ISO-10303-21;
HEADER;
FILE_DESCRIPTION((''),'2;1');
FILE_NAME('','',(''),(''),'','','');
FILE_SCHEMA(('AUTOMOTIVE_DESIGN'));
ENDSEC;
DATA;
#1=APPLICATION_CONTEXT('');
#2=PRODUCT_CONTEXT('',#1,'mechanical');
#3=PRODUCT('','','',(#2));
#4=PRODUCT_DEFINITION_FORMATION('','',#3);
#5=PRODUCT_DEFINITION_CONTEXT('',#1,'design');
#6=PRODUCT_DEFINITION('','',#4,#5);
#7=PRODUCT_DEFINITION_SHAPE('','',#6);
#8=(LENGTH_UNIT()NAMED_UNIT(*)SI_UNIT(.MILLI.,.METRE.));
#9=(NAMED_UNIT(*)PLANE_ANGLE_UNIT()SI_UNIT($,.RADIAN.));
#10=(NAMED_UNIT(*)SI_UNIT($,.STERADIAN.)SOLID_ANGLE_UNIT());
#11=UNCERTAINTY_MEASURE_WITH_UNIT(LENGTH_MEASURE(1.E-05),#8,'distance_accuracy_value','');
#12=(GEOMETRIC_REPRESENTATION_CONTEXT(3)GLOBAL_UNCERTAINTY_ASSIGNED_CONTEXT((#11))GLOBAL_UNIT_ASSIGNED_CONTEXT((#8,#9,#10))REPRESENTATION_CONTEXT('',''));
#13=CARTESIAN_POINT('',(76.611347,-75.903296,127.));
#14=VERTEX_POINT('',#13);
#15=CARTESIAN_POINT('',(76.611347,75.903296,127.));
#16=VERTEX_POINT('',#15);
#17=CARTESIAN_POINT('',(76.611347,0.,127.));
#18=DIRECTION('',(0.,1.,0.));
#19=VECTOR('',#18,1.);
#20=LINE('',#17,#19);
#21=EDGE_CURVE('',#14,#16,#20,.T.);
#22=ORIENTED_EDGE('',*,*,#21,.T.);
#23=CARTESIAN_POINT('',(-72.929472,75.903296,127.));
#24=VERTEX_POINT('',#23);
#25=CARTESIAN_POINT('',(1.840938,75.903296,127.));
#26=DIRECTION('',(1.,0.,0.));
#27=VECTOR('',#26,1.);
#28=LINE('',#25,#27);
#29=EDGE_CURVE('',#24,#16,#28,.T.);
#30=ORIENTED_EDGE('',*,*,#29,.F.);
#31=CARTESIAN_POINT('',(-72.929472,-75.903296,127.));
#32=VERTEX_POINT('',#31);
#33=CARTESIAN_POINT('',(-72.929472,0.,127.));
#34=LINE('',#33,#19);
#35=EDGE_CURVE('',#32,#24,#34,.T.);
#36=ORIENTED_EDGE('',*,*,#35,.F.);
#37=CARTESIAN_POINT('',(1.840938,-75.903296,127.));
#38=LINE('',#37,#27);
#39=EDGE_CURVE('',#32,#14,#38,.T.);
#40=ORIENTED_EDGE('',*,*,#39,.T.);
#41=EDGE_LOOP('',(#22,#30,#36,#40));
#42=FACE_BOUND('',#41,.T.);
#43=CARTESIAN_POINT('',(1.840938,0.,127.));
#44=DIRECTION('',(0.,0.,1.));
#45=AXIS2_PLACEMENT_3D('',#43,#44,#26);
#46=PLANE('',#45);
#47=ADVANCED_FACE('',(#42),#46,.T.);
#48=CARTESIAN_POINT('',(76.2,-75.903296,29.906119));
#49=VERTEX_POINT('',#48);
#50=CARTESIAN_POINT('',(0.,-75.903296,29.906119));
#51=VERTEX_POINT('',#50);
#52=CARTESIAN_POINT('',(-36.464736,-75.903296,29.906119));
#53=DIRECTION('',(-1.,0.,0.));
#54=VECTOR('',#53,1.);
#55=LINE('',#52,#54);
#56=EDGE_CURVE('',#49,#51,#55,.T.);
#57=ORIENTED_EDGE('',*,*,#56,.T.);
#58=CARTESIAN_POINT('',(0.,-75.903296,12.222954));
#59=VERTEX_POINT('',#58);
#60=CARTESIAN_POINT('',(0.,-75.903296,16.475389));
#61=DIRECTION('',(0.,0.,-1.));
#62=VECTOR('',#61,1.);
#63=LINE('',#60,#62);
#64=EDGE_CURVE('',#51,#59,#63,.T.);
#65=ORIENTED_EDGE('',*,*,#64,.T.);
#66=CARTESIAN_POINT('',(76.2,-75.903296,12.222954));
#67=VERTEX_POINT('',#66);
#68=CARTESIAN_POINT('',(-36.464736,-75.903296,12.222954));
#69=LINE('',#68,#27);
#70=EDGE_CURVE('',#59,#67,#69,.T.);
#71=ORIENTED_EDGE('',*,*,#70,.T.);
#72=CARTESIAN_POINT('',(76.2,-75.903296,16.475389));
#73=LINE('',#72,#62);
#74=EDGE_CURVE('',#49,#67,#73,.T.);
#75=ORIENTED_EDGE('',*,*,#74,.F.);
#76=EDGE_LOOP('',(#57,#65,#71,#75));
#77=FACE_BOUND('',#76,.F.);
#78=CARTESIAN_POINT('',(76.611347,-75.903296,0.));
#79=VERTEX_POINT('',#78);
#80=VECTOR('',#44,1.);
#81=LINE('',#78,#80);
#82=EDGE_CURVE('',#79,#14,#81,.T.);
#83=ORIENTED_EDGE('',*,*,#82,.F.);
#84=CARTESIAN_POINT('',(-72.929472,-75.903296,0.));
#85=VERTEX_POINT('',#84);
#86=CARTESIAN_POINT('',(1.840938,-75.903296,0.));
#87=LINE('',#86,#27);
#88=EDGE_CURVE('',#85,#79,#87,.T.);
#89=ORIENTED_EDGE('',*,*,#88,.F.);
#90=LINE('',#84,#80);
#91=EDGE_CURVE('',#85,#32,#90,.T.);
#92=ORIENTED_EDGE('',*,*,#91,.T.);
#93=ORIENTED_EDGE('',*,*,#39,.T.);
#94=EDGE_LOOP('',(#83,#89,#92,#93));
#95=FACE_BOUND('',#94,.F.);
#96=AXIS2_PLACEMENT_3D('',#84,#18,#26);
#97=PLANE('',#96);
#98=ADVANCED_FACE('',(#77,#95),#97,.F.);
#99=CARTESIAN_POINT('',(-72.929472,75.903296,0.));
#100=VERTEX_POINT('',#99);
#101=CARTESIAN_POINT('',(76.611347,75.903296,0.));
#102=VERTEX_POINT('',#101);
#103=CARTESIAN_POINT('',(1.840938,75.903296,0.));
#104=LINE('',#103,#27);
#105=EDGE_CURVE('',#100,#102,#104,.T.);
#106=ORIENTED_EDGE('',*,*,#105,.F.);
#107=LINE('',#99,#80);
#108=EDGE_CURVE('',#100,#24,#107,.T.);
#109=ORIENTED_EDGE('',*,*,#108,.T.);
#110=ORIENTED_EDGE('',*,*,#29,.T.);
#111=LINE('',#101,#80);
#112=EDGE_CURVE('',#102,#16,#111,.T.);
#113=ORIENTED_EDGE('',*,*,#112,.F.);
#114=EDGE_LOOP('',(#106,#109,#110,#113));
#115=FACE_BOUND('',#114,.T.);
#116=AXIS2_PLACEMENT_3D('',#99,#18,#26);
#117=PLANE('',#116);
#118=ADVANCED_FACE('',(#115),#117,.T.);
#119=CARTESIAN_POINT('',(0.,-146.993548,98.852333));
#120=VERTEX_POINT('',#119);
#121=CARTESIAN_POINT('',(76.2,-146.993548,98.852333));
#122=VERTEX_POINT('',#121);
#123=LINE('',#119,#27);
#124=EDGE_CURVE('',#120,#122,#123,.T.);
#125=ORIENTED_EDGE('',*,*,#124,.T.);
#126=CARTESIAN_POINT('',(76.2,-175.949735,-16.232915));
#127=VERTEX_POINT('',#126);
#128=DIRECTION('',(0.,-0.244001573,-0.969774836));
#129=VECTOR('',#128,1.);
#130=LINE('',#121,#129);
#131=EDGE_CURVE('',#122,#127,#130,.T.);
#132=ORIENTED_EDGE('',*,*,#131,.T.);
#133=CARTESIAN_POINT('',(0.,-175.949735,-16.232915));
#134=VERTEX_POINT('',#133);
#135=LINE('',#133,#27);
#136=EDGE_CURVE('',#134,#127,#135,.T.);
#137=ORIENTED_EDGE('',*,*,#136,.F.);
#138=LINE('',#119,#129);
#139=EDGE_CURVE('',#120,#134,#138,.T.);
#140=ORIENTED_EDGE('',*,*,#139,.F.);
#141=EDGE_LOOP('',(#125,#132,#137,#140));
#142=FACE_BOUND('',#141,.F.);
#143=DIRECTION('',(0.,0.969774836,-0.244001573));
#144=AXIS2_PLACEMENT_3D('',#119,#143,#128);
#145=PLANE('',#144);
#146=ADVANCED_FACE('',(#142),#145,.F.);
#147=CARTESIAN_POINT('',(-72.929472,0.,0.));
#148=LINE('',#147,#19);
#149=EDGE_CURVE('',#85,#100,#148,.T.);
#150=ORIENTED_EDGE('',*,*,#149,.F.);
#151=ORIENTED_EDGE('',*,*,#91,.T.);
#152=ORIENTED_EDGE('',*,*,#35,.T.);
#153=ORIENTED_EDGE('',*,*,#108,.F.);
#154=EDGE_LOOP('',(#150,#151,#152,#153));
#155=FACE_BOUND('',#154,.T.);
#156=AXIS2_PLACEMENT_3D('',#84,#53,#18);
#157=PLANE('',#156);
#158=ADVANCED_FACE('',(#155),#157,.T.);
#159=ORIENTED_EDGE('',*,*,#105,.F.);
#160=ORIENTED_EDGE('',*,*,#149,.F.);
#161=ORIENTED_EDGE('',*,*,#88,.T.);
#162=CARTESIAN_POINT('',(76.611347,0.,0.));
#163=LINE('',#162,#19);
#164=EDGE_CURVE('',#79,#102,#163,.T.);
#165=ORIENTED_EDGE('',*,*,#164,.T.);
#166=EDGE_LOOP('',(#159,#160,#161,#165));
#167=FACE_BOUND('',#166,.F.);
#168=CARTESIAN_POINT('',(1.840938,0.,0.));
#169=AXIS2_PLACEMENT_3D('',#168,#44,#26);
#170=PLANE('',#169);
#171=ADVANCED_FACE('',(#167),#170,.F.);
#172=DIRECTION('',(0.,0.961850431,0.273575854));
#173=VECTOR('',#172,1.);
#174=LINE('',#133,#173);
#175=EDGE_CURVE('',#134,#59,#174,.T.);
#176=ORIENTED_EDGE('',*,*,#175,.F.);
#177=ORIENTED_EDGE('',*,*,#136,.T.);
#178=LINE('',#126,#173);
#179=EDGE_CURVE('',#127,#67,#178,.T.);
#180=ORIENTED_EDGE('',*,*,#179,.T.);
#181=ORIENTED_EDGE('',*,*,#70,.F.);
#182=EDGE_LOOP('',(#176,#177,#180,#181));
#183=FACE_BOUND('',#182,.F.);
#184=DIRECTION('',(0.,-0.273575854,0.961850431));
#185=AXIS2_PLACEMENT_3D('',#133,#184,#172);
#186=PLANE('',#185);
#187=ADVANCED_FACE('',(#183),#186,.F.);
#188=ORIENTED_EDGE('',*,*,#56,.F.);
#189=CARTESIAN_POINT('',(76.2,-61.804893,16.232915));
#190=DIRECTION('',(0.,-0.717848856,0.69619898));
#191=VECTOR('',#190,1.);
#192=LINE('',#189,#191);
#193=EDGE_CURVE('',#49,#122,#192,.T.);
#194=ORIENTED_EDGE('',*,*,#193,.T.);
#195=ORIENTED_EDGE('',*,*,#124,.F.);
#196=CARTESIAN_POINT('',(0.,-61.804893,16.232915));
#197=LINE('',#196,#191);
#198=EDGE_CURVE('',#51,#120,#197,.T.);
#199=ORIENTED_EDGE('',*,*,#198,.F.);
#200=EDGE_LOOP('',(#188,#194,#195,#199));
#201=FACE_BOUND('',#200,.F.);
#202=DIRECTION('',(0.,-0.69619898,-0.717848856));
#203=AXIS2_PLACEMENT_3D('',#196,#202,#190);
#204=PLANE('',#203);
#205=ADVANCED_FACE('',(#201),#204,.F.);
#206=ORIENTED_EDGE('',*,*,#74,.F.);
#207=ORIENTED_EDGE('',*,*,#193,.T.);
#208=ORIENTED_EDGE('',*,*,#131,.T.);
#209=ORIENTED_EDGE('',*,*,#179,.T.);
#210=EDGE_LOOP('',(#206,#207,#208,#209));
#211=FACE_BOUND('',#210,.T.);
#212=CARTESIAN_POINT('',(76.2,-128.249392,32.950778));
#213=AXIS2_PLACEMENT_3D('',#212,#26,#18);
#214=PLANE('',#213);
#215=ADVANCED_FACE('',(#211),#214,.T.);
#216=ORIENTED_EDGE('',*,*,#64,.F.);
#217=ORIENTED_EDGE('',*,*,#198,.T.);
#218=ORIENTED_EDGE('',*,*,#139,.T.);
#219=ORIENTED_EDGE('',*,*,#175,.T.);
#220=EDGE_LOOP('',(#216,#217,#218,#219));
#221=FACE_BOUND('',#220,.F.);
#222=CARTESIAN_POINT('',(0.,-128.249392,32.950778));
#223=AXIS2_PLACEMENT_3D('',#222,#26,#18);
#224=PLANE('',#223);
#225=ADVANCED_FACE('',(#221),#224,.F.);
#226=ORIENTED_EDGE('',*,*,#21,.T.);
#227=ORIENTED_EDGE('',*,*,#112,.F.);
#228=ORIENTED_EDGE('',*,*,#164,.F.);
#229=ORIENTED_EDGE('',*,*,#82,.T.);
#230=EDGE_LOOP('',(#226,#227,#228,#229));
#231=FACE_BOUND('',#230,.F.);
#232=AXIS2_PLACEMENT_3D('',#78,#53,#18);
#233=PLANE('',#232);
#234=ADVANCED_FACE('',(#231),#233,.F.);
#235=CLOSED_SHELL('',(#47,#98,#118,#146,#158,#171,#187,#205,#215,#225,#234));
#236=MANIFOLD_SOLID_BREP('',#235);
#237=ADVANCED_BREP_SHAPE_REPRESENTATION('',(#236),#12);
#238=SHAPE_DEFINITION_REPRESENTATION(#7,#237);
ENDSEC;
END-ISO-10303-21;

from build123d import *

# Parameters (mm, degrees)
F0_W     = 149.540819
F0_H     = 151.806592
F1_DEPTH = 127
F3_DEPTH = 76.2


with BuildPart() as f1:
    # F0 (on Top) → F1 (new body)
    with BuildSketch(Plane.XY):
        with Locations((1.840938, 0)):
            Rectangle(F0_W, F0_H)
    extrude(amount=F1_DEPTH)

    # F2 (on Right) → F3 (join)
    with BuildSketch(Plane.YZ):
        Polygon((-175.949735, -16.232915), (-61.804893, 16.232915), (-146.993548, 98.852333), align=None)
    extrude(amount=F3_DEPTH)


solid = f1.part
